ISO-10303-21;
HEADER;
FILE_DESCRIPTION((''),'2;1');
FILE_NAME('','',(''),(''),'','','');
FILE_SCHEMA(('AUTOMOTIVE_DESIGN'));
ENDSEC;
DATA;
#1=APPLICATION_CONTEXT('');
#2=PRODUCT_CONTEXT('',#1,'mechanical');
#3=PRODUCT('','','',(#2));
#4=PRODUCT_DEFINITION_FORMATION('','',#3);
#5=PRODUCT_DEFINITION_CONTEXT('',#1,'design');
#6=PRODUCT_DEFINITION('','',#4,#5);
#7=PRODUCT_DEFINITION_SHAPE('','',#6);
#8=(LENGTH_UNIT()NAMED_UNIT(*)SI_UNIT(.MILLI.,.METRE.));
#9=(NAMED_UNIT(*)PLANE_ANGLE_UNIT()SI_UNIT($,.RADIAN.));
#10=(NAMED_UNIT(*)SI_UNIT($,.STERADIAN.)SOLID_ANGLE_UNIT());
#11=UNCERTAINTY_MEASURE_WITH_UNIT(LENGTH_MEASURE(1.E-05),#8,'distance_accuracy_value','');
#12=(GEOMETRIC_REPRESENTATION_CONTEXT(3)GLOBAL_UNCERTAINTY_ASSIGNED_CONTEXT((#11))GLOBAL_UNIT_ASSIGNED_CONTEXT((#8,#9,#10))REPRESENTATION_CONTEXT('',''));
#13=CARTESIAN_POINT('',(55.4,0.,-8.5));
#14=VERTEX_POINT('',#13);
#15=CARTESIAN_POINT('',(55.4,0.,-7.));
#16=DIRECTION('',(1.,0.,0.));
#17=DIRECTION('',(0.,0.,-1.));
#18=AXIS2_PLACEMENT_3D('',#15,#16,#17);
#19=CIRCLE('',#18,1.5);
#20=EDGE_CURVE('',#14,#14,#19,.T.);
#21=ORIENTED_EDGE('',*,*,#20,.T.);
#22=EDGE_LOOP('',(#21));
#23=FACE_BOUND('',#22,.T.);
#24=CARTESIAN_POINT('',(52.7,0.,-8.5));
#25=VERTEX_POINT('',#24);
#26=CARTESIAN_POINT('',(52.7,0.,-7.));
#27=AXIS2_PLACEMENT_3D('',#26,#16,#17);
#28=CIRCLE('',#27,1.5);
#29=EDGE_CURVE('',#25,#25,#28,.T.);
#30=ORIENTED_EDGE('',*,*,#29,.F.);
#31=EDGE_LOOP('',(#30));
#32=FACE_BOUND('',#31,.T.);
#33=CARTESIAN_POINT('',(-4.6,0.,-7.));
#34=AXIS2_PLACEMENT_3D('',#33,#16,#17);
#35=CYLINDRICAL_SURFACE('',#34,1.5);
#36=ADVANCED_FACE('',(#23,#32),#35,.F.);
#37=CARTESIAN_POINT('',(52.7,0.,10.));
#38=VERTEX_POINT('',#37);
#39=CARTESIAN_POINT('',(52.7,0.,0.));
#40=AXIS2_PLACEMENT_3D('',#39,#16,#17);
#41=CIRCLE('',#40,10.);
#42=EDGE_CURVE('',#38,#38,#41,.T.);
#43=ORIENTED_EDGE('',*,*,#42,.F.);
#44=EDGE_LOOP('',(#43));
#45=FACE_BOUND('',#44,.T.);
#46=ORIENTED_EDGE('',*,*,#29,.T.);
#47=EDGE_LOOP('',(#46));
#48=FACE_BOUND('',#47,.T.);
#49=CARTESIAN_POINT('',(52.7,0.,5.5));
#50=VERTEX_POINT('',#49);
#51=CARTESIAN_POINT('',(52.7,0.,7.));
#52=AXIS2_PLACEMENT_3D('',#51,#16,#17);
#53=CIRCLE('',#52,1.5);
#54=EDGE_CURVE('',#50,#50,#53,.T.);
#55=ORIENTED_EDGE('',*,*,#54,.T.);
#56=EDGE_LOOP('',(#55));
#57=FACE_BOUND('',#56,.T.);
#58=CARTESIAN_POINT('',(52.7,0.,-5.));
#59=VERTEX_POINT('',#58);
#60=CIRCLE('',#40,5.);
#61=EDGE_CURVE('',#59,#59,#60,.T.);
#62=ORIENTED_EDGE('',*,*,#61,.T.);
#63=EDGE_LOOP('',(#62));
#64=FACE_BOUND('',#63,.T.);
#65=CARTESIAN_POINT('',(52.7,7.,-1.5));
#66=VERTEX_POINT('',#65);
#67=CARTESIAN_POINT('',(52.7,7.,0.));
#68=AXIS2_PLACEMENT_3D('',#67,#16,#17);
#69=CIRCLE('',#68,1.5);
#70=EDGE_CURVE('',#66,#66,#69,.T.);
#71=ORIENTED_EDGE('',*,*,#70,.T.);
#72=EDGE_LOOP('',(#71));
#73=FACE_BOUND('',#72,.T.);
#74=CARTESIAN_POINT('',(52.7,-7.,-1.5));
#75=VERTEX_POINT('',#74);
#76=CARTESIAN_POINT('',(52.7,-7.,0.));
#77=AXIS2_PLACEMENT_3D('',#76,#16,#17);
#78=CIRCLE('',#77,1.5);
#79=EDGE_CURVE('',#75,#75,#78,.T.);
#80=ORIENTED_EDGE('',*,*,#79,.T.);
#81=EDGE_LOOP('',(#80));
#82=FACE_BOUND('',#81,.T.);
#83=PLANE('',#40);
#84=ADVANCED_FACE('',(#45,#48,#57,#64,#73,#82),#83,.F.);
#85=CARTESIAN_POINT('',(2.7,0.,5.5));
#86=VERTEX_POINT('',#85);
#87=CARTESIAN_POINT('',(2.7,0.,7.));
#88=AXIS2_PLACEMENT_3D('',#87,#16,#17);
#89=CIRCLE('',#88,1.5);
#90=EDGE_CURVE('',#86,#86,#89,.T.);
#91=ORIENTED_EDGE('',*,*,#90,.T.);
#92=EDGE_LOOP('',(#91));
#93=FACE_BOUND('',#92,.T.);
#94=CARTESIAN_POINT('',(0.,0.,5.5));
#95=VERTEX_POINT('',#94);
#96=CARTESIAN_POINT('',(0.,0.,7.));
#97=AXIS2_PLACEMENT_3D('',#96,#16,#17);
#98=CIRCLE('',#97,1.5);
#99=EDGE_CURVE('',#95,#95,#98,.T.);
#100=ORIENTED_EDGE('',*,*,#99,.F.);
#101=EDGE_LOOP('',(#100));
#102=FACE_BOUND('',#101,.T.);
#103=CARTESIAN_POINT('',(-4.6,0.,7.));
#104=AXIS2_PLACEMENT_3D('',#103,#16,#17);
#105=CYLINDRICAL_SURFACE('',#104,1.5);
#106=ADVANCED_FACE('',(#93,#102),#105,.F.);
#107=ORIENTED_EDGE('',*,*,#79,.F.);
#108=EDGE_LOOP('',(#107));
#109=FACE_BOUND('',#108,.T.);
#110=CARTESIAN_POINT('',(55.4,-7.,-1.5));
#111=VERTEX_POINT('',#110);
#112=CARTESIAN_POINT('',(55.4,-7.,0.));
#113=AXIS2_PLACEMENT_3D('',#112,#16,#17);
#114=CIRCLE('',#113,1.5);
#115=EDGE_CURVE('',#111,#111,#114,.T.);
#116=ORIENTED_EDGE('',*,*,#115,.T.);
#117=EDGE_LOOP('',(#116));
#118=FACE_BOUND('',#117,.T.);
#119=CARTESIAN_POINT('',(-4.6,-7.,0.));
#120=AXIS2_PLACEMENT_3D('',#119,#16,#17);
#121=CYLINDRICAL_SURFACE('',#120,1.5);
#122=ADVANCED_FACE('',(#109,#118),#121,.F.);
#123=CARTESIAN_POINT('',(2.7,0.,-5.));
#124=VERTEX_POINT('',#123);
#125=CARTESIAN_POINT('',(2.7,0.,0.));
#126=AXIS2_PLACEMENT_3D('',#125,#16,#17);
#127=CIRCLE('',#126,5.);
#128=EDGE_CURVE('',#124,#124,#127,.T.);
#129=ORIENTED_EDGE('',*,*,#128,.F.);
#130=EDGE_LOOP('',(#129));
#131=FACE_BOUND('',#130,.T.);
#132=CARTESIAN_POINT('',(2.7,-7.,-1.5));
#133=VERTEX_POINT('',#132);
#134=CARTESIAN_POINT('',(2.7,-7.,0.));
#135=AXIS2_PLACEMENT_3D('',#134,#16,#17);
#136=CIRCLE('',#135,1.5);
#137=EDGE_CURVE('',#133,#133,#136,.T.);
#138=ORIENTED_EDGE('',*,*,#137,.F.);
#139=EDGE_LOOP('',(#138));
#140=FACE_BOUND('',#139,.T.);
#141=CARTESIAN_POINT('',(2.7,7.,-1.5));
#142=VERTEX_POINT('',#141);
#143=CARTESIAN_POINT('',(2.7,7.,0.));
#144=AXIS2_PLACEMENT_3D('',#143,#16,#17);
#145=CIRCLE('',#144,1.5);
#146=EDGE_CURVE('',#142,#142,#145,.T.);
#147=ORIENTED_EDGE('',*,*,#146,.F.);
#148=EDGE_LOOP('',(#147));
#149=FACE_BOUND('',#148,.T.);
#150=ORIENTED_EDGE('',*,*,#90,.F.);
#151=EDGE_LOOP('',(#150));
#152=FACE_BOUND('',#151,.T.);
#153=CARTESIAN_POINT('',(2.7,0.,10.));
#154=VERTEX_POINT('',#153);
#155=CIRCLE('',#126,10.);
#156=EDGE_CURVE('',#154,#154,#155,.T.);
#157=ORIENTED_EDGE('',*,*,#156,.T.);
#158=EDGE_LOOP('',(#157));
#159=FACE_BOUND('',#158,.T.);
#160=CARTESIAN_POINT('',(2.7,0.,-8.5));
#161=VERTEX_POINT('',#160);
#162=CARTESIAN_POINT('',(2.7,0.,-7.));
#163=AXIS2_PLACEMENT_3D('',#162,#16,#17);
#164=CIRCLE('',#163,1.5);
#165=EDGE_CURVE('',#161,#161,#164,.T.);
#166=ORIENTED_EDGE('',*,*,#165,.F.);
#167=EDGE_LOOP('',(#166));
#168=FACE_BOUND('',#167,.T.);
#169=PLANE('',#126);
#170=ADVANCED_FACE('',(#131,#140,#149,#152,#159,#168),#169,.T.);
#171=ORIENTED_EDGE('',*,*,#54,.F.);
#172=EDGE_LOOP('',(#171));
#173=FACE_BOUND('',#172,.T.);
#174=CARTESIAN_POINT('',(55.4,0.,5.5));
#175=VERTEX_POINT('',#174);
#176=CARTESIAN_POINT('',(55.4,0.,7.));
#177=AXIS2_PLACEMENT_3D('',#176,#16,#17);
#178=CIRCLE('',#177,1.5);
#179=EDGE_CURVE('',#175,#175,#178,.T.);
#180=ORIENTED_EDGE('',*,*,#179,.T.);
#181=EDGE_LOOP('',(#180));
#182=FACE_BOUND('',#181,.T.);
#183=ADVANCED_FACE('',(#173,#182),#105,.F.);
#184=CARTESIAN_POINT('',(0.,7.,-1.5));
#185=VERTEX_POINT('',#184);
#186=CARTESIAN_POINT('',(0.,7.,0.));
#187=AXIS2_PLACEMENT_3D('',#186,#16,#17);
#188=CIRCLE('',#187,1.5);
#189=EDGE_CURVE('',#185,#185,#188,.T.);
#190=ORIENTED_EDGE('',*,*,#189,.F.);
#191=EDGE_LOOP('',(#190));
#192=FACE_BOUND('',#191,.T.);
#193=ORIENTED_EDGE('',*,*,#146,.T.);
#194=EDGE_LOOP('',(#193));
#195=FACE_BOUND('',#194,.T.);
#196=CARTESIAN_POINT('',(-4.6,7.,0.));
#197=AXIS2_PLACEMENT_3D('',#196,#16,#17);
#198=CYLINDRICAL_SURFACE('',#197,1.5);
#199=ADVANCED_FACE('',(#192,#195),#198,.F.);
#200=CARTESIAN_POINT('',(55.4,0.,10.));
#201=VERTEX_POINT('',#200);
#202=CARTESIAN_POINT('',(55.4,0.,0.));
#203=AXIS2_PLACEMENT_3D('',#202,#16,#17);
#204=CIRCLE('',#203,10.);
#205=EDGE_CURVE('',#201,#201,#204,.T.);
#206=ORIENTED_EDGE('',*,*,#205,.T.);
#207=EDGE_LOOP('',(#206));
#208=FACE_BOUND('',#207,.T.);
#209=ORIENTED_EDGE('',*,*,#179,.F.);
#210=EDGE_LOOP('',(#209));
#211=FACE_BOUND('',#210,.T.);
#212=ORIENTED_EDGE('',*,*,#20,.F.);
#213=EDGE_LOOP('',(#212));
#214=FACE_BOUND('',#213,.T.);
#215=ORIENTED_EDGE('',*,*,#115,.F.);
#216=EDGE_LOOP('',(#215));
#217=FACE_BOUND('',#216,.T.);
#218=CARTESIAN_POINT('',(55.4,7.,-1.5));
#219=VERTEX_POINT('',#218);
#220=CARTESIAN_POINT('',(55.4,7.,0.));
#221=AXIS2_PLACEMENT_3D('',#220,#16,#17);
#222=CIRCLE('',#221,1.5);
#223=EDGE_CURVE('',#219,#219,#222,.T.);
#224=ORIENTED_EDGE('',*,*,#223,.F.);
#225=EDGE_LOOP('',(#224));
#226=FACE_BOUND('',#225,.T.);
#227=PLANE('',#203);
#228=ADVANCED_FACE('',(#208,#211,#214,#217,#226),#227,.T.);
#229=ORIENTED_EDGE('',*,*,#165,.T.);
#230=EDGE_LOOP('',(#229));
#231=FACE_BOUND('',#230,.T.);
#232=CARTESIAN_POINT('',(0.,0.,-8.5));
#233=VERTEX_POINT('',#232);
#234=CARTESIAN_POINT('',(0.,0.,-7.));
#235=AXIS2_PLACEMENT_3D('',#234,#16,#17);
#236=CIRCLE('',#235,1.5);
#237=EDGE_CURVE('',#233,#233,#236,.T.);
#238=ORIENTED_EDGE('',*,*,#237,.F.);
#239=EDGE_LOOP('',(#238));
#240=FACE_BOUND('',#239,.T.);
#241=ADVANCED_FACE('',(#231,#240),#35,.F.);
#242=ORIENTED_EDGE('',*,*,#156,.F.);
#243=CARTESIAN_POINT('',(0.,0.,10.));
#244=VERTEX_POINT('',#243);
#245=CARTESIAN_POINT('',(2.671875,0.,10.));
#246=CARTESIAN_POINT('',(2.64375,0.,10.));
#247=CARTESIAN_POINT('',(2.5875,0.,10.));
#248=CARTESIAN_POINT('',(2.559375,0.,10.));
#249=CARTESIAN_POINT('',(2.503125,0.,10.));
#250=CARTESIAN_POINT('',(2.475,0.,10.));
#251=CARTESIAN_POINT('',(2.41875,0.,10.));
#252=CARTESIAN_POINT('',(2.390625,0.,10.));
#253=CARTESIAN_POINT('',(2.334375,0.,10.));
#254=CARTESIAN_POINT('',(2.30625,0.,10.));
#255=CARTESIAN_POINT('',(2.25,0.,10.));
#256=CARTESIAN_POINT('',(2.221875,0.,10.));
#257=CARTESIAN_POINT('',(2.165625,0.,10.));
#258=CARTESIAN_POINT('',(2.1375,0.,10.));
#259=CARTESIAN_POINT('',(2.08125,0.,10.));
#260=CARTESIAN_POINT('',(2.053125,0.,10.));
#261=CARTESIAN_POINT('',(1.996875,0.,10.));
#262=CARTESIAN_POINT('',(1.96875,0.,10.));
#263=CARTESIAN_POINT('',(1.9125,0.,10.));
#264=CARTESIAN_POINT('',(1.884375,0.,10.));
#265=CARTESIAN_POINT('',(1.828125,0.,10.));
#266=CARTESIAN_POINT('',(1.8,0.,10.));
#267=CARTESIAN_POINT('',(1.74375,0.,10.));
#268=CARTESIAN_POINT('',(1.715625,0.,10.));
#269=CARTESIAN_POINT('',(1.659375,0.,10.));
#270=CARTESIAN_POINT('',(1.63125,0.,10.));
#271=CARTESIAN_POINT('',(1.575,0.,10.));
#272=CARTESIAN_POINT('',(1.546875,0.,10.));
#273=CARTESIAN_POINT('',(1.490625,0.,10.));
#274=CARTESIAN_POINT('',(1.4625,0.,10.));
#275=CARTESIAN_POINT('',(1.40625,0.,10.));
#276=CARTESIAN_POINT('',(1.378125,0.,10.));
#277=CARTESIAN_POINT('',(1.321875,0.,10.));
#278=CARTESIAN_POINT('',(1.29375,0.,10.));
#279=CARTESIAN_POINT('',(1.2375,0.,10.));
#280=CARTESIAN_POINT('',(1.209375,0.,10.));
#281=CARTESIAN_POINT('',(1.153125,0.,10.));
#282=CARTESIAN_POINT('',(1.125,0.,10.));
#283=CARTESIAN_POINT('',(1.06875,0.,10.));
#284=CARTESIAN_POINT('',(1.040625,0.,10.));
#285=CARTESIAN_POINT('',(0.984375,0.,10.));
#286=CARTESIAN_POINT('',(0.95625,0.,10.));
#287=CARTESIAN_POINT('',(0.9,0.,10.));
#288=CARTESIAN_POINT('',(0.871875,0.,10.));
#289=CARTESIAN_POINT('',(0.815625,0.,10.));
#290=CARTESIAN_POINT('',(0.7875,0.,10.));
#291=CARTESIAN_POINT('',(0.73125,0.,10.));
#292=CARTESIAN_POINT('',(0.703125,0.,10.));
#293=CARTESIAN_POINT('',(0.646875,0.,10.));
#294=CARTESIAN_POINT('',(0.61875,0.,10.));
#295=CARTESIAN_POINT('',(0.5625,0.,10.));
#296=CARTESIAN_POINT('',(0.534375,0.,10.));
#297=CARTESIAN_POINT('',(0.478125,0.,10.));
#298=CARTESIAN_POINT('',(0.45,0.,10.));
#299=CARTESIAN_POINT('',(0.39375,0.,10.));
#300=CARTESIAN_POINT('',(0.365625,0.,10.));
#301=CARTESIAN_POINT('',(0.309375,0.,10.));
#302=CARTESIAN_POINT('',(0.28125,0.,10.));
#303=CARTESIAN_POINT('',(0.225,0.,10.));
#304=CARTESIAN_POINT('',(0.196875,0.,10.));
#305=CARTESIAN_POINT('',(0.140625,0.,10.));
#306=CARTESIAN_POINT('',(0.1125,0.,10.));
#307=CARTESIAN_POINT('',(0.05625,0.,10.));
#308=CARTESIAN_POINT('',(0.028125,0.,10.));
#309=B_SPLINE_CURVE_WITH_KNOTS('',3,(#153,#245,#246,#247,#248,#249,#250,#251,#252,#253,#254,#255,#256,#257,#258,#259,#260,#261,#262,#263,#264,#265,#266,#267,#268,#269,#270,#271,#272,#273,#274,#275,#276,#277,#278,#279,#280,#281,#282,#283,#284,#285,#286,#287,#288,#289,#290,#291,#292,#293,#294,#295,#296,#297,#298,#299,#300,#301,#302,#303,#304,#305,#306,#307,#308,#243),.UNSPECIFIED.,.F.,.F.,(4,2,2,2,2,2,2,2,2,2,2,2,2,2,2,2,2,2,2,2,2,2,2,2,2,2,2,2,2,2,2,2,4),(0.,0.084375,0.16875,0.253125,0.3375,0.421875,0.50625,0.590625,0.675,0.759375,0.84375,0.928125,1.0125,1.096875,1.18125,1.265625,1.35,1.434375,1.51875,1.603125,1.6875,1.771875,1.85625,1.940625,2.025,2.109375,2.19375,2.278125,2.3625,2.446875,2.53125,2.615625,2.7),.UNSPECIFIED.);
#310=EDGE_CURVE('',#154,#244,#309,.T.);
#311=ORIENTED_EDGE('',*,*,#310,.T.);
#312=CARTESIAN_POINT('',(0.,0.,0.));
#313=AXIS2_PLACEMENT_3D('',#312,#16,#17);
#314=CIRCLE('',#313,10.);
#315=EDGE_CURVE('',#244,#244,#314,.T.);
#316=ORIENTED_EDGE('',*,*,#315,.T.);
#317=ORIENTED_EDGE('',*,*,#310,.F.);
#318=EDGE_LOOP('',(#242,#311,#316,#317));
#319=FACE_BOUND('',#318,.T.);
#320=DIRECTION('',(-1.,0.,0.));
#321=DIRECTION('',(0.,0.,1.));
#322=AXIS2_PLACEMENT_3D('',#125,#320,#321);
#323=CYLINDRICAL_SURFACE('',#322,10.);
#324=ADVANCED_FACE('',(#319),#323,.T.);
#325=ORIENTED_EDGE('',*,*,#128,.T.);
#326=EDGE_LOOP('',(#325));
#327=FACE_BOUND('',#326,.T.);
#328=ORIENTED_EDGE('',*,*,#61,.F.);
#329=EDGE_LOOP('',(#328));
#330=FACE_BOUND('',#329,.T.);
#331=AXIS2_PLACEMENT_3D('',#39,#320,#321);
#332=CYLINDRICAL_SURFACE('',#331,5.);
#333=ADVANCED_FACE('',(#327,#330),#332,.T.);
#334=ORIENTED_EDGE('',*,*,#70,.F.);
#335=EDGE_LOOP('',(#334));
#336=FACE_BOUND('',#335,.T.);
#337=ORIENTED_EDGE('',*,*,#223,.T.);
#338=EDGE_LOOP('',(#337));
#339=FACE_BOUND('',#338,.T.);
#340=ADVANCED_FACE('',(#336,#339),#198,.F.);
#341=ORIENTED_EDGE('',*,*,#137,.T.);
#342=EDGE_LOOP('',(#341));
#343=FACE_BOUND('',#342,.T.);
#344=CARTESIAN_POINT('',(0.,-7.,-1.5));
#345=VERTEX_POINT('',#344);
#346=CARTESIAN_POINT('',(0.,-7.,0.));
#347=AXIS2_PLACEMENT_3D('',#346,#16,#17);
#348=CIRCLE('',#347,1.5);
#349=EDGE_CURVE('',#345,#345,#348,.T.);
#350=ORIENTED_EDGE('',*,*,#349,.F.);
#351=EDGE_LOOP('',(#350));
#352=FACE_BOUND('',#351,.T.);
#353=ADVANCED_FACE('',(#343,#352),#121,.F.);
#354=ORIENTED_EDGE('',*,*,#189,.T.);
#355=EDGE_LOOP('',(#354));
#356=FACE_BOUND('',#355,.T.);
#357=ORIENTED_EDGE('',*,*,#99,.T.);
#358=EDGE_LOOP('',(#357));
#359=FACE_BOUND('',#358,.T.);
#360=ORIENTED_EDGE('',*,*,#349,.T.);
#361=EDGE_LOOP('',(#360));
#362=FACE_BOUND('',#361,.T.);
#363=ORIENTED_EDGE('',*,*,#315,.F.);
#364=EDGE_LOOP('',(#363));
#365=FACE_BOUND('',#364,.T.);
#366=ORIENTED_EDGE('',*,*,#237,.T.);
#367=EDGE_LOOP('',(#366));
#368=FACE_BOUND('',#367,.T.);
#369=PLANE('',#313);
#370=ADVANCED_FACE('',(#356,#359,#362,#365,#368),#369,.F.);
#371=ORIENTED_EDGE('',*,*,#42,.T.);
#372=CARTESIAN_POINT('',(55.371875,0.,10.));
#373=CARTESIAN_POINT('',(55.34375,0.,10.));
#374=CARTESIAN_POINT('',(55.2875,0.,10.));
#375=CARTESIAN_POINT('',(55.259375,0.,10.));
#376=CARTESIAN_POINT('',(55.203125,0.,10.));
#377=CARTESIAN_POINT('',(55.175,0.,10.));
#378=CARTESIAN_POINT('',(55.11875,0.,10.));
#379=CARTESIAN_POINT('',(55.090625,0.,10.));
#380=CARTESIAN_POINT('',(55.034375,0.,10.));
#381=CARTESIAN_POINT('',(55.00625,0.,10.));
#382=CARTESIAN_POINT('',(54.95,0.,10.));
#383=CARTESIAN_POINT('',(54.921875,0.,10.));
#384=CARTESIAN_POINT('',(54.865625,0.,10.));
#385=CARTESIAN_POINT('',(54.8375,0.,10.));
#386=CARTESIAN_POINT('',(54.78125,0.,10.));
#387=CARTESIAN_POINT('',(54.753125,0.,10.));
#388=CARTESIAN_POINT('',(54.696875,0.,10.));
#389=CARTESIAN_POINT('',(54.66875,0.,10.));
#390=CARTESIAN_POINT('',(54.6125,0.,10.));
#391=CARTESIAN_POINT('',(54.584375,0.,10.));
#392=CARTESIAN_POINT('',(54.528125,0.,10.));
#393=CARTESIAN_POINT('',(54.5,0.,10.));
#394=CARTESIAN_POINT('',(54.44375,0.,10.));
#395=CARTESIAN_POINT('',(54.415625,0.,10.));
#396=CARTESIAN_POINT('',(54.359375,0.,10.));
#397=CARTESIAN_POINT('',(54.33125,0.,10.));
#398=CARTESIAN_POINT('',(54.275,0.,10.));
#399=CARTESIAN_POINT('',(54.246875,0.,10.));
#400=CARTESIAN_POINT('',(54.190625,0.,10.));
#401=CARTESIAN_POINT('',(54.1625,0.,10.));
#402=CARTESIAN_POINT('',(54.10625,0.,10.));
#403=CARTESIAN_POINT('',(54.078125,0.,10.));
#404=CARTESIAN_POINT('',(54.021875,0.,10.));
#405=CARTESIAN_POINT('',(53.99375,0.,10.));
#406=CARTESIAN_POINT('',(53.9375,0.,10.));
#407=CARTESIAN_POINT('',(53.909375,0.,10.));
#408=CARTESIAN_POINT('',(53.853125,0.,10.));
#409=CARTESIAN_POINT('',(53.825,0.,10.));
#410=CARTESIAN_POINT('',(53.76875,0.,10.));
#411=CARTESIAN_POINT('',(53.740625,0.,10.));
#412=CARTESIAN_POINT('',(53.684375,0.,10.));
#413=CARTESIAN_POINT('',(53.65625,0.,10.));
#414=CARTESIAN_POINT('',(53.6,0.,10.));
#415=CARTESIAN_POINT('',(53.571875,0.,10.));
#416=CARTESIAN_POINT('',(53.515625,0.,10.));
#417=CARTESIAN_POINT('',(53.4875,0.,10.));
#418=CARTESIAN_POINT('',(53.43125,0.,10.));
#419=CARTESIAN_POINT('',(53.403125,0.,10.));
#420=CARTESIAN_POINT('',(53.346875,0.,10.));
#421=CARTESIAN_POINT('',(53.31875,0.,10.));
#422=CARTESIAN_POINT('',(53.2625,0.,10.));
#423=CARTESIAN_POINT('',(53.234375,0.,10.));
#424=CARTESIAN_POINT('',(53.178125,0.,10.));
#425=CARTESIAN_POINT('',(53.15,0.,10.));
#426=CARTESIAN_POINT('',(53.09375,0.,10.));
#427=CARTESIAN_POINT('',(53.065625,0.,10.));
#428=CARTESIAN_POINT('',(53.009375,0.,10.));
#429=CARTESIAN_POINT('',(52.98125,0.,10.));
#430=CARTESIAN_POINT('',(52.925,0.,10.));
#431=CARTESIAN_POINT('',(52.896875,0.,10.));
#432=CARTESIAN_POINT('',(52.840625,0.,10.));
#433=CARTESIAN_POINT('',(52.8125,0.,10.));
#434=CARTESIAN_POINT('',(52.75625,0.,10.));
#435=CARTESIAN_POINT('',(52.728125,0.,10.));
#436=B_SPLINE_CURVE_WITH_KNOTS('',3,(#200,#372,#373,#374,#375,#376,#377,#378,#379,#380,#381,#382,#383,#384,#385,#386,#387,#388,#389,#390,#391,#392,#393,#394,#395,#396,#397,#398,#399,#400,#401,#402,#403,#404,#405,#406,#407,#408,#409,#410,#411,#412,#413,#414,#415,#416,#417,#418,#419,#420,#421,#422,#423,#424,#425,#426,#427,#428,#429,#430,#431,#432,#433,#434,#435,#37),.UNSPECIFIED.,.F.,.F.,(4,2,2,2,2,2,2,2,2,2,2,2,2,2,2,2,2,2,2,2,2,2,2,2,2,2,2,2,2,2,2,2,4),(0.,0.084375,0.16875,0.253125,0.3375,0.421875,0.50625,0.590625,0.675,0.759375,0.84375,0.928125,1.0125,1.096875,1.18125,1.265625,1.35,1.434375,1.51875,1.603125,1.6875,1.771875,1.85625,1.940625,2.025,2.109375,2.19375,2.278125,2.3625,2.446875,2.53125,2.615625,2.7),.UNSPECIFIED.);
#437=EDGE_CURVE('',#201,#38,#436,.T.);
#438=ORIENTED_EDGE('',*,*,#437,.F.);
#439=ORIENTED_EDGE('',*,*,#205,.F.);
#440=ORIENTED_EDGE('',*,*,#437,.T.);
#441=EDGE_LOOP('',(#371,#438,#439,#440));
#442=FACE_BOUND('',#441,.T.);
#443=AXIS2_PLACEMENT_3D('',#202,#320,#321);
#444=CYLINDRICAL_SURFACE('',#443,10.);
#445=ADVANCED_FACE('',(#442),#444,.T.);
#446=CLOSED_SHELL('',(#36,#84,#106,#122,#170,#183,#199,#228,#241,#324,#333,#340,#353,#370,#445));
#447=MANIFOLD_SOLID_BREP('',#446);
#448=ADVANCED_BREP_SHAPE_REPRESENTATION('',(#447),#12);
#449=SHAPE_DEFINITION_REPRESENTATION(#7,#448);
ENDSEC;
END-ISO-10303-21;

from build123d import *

# Parameters (mm, degrees)
CROQUIS1_R              = 10
SALIENTE_EXTRUIR1_DEPTH = 2.7
CROQUIS2_R              = 5
SALIENTE_EXTRUIR2_DEPTH = 50
CROQUIS3_R              = 10
SALIENTE_EXTRUIR3_DEPTH = 2.7
CROQUIS5_R              = 1.5
CORTAR_EXTRUIR1_DEPTH   = 60


with BuildPart() as part:
    # Croquis1 → Saliente-Extruir1 (new body)
    with BuildSketch(Plane(origin=(0, 0, 0), x_dir=(0, 0, -1), z_dir=(1, 0, 0))):
        with Locations(Location((0, 0, 0), (0, 0, 180))):
            Circle(CROQUIS1_R)
    extrude(amount=SALIENTE_EXTRUIR1_DEPTH)

    # Croquis2 → Saliente-Extruir2 (add)
    with BuildSketch(Plane(origin=(2.7, 0, 0), x_dir=(0, 0, -1), z_dir=(1, 0, 0))):
        Circle(CROQUIS2_R)
    extrude(amount=SALIENTE_EXTRUIR2_DEPTH)

    # Croquis3 → Saliente-Extruir3 (add)
    with BuildSketch(Plane(origin=(52.7, 0, 0), x_dir=(0, 0, -1), z_dir=(1, 0, 0))):
        with Locations(Location((0, 0, 0), (0, 0, 180))):
            Circle(CROQUIS3_R)
    extrude(amount=SALIENTE_EXTRUIR3_DEPTH)

    # Croquis5 → Cortar-Extruir1 (cut)
    with BuildSketch(Plane(origin=(55.4, 0, 0), x_dir=(0, 0, -1), z_dir=(1, 0, 0))):
        with Locations((0, 7)):
            Circle(CROQUIS5_R)
        with Locations((7, 0)):
            Circle(CROQUIS5_R)
        with Locations((0, -7)):
            Circle(CROQUIS5_R)
        with Locations((-7, 0)):
            Circle(CROQUIS5_R)
    extrude(amount=-CORTAR_EXTRUIR1_DEPTH, mode=Mode.SUBTRACT)


solid = part.part
